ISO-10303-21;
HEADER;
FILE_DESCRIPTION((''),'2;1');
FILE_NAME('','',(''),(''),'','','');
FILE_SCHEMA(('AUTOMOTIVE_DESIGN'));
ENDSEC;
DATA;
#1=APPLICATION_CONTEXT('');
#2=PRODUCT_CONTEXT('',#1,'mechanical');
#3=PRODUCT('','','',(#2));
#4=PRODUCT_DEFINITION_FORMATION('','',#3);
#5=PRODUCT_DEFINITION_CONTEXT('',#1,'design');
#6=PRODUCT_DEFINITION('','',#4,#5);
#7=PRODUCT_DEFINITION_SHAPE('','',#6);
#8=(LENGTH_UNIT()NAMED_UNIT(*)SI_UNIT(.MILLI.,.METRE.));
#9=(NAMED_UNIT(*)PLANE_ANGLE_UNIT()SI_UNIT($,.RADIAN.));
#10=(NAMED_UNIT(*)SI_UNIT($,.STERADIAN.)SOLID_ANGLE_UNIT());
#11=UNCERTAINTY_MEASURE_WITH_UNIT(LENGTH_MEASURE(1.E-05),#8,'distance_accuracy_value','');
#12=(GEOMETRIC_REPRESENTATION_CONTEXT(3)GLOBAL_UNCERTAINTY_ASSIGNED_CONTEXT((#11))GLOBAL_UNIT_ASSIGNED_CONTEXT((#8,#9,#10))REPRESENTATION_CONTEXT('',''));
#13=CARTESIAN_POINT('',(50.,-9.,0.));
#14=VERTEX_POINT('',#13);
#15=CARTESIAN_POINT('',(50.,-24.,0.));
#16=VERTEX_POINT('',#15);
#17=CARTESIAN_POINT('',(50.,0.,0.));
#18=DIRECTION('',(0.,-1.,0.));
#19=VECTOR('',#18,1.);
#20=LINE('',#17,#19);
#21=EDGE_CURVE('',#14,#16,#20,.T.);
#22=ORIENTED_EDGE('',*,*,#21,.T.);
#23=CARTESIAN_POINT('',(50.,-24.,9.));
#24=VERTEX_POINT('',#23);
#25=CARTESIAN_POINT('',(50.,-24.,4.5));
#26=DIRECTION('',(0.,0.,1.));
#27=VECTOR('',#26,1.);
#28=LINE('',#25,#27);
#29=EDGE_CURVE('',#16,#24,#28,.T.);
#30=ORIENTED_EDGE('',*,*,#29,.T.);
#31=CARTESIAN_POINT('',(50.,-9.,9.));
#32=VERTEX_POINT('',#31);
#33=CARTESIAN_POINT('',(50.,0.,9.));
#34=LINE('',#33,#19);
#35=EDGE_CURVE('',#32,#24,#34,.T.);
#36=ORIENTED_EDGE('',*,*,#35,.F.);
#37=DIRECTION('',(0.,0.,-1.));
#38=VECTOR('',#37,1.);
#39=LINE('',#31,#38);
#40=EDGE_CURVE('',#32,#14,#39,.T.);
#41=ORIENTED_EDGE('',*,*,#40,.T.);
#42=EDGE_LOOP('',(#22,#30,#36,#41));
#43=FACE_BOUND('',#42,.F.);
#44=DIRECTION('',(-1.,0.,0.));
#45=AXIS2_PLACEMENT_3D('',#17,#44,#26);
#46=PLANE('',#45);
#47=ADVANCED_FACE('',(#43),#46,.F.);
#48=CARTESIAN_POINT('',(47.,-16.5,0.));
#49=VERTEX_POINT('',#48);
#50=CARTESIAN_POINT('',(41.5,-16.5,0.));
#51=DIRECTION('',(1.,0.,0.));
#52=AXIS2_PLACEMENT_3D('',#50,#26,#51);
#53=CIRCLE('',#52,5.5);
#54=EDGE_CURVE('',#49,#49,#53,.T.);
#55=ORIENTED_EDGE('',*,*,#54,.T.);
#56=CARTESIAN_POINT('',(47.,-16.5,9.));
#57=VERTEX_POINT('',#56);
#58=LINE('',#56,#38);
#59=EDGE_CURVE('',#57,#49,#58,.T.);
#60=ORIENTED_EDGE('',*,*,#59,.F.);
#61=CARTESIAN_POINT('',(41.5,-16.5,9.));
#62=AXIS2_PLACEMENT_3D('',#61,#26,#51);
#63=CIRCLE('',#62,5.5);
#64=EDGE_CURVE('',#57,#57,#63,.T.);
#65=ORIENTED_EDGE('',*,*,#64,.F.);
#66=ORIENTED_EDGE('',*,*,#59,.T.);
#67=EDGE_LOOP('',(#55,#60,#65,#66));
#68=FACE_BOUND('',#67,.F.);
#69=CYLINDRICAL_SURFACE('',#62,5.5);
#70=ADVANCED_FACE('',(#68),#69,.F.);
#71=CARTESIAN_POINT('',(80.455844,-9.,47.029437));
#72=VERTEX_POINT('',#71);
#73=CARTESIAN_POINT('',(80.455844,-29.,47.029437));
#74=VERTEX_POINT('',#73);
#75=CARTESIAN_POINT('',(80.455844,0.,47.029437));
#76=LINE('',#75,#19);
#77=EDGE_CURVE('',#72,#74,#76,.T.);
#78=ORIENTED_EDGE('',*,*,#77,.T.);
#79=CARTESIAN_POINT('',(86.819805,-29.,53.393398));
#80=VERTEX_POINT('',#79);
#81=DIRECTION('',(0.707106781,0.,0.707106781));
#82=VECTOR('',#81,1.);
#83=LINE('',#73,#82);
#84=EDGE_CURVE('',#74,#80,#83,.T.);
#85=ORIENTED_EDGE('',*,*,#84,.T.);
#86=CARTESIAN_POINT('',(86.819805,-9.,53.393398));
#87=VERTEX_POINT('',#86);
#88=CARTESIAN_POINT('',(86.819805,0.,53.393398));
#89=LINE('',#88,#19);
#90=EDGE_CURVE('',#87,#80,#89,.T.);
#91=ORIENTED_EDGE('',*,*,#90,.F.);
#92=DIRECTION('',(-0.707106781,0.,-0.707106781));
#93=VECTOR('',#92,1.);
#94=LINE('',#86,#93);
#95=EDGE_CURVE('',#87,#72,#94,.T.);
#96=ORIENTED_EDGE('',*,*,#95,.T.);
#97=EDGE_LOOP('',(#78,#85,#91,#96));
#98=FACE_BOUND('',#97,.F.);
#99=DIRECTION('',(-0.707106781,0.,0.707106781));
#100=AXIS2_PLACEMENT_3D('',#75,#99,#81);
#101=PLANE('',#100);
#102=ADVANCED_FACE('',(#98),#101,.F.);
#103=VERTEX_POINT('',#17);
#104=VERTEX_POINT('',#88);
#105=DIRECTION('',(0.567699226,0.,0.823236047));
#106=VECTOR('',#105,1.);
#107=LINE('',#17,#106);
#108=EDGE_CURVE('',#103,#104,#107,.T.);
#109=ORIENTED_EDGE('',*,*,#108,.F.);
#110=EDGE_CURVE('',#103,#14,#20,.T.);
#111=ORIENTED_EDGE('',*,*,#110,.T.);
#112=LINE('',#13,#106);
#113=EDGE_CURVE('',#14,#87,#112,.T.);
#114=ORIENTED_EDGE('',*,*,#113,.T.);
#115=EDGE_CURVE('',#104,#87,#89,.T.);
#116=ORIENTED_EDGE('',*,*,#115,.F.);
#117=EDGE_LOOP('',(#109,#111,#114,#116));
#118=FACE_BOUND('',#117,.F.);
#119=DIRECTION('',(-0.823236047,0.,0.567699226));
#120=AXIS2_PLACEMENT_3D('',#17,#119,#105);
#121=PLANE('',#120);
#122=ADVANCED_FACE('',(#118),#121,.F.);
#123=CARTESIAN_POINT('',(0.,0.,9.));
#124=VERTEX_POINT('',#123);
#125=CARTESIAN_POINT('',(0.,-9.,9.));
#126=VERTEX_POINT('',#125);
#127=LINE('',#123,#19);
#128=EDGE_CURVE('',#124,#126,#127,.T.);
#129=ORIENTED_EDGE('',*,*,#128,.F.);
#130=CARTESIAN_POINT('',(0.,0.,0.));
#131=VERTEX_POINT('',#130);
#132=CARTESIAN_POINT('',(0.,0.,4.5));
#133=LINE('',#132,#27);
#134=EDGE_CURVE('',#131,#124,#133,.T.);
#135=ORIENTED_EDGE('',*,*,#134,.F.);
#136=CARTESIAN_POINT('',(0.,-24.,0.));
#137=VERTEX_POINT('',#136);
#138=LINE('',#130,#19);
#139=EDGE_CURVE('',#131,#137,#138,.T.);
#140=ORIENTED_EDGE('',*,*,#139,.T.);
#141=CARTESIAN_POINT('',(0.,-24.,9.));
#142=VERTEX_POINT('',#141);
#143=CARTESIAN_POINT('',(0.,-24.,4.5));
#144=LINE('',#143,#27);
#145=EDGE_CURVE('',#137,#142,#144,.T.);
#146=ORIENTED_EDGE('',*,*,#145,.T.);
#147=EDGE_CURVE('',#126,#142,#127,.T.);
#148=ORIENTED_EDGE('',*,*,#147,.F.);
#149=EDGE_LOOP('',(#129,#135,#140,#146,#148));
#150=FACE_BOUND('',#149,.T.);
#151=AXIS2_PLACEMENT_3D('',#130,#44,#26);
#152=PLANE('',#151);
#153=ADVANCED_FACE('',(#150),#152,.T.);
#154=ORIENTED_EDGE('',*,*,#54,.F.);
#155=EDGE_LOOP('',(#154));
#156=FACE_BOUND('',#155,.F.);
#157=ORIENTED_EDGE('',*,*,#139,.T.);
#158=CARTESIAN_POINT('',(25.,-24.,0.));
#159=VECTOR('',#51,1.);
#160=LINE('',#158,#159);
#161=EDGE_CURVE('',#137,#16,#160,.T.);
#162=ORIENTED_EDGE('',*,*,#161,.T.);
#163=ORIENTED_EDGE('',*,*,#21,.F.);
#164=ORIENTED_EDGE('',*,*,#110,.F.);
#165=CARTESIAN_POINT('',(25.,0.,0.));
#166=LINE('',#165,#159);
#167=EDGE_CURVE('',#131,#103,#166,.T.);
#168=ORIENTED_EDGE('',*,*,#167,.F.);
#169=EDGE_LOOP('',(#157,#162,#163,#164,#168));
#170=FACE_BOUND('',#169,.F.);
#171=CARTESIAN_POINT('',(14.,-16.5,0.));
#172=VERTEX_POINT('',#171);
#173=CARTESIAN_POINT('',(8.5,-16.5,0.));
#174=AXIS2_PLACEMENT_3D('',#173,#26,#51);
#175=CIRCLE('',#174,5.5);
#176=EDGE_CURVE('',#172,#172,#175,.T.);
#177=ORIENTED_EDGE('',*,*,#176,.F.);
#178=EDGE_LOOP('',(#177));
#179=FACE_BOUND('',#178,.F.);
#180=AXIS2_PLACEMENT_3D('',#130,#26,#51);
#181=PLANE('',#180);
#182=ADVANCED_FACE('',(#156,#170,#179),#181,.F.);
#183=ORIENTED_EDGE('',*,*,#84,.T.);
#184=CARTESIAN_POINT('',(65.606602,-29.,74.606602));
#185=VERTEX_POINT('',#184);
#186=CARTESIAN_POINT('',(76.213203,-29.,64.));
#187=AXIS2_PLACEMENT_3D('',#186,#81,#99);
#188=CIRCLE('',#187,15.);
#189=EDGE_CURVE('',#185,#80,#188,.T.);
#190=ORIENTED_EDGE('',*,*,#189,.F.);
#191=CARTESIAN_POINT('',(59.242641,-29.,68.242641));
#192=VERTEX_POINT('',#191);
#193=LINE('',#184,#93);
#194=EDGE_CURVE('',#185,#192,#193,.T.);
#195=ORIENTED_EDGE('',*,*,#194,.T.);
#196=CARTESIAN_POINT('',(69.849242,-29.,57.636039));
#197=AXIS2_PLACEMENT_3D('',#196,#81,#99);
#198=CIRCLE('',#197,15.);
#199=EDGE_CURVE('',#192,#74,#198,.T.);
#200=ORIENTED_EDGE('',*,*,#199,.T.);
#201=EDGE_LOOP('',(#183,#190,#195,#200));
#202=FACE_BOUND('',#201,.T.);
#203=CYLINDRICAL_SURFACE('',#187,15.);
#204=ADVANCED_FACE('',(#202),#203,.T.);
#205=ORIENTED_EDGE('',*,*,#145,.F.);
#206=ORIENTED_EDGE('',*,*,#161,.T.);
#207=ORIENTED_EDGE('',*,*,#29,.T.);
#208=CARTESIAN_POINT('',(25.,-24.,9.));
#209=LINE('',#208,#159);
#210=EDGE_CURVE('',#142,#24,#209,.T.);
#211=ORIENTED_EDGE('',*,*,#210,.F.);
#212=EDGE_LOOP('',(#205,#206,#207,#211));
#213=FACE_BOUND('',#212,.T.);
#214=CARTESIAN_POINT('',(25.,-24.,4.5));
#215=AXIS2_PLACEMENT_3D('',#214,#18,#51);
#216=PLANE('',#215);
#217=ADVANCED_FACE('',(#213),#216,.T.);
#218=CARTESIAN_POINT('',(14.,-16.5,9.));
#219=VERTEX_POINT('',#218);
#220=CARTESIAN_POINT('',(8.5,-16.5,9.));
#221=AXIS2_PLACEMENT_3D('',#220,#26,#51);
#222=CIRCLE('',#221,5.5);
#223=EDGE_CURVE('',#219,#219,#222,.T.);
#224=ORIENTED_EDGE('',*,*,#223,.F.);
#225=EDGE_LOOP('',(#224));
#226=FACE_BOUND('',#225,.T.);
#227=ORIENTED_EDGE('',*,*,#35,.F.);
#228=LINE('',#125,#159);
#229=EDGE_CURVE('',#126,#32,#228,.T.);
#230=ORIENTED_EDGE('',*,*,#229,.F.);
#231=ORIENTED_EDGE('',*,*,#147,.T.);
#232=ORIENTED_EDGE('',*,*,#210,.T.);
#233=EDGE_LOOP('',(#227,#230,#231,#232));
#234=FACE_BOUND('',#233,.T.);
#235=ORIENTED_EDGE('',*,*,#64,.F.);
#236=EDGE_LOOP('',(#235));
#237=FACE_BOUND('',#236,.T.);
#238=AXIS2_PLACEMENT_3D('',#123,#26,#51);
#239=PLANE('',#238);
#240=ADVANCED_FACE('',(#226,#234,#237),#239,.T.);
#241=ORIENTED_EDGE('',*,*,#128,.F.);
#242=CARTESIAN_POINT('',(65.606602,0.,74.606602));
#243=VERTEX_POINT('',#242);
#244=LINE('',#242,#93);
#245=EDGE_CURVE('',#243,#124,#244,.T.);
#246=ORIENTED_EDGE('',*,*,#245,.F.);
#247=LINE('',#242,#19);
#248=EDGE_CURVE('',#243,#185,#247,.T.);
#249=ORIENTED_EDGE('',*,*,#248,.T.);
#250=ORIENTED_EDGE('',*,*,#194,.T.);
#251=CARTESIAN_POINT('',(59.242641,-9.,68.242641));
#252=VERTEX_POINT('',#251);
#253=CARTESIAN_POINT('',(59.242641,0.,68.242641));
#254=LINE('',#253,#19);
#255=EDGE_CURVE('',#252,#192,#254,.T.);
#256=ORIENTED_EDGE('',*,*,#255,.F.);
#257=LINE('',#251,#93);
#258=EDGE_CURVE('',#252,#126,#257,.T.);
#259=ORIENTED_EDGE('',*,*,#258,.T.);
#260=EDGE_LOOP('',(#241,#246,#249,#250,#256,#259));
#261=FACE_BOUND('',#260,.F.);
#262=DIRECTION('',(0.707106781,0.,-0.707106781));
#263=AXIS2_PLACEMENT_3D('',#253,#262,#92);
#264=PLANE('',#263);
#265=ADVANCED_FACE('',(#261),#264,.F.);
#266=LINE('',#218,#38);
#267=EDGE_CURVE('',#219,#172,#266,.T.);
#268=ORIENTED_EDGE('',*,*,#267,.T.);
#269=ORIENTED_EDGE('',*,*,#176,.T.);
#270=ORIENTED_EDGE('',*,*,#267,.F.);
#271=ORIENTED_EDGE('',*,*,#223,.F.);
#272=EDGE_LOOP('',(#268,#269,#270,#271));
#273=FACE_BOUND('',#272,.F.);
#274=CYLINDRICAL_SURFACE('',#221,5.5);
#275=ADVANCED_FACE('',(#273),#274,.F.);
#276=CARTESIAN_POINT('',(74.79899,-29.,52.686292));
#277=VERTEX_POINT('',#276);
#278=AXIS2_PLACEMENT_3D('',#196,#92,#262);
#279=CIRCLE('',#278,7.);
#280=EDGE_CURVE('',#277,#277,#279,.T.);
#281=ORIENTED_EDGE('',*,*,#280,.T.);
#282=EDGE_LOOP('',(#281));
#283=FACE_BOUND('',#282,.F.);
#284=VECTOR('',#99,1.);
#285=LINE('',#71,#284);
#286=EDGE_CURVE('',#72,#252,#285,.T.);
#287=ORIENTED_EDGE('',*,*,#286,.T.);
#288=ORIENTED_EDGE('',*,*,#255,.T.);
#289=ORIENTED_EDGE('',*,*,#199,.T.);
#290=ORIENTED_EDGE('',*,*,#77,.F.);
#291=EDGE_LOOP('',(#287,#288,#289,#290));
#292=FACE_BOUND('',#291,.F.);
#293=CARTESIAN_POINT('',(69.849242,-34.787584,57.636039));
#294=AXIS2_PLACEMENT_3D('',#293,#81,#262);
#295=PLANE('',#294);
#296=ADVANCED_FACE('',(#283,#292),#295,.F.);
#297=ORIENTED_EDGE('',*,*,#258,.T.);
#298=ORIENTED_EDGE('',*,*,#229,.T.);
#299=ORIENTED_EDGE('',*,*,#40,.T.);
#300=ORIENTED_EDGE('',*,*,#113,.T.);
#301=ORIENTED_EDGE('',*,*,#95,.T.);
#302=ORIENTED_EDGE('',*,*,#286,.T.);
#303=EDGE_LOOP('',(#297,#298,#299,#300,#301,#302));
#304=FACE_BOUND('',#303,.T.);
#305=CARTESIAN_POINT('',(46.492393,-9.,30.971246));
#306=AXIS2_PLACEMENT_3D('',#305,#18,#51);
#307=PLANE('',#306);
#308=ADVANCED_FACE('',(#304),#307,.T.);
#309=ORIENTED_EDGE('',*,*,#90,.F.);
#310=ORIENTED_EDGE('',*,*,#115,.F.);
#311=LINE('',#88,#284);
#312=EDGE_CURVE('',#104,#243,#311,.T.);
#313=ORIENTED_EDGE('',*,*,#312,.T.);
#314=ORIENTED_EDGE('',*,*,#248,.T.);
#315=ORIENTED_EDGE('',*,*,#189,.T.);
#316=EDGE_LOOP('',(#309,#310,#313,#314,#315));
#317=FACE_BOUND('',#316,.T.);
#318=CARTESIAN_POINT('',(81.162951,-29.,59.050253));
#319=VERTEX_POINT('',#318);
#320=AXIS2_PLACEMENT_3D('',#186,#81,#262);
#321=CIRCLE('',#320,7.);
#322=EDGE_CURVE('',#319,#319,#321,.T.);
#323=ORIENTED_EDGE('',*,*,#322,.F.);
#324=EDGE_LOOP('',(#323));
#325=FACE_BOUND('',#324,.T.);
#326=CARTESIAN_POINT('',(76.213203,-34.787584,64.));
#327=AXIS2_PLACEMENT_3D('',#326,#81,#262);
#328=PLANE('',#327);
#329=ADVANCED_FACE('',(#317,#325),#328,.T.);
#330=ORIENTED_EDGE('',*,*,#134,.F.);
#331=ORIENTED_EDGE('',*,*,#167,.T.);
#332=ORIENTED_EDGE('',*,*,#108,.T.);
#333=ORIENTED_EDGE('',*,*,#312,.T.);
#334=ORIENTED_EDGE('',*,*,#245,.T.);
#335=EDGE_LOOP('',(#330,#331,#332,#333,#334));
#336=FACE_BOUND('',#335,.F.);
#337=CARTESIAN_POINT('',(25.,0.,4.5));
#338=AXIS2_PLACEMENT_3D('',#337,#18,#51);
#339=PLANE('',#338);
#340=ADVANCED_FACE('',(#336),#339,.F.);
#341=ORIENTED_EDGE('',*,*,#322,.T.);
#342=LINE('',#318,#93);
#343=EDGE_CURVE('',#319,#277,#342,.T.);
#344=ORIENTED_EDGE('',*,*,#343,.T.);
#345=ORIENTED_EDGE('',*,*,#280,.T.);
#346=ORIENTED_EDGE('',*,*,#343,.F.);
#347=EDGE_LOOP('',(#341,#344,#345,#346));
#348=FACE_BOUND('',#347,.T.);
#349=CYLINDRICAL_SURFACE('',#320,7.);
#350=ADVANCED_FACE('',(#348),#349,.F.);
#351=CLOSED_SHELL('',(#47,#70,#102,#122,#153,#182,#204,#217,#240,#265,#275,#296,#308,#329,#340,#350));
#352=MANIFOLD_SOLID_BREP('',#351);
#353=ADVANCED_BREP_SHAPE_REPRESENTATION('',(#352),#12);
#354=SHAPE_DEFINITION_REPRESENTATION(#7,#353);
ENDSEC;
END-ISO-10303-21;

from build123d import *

# Parameters (mm, degrees)
F1_DEPTH = 9
F2_DEPTH = 29
F4_DEPTH = 9
F5_DEPTH = 9
F0_W     = 50
F0_H     = 9
F6_DEPTH = 24
F7_R     = 5.5
F8_DEPTH = 9.001


with BuildPart() as f1:
    # F0 (on Front) → F1 (new body)
    with BuildSketch(Plane.XZ):
        Polygon((50, 9), (50, 0), (86.8198051534, 53.3933982822), (80.4558441227, 47.0294372515), (59.2426406871, 68.2426406871), (0, 9), align=None)
    extrude(amount=F1_DEPTH)

    # F0 (on Front) → F2 (join)
    with BuildSketch(Plane.XZ):
        Polygon((80.4558441227, 47.0294372515), (86.8198051534, 53.3933982822), (65.6066017178, 74.6066017178), (59.2426406871, 68.2426406871), align=None)
    extrude(amount=F2_DEPTH)

    # F3 (on face) → F4 (join)
    with BuildSketch(Plane(origin=(70.1066017178, 0, 70.1066017178), x_dir=(0.7071067812, 0, -0.7071067812), z_dir=(0.7071067812, 0, 0.7071067812))):
        with BuildLine():
            Line((23.6360389693, -29), (15.6360389693, -29))
            ThreePointArc((15.6360389693, -29), (8.6360389693, -36), (1.6360389693, -29))
            Line((1.6360389693, -29), (-6.3639610307, -29))
            ThreePointArc((-6.3639610307, -29), (8.6360389693, -44), (23.6360389693, -29))
        make_face()
    extrude(amount=-F4_DEPTH)

    # F3 (on face) → F5 (cut)
    with BuildSketch(Plane(origin=(70.1066017178, 0, 70.1066017178), x_dir=(0.7071067812, 0, -0.7071067812), z_dir=(0.7071067812, 0, 0.7071067812))):
        with BuildLine():
            Line((1.6360389693, -29), (15.6360389693, -29))
            ThreePointArc((15.6360389693, -29), (8.6360389693, -22), (1.6360389693, -29))
        make_face()
    extrude(amount=-F5_DEPTH, mode=Mode.SUBTRACT)

    # F0 (on Front) → F6 (join)
    with BuildSketch(Plane.XZ):
        with Locations((25, 4.5)):
            Rectangle(F0_W, F0_H)
    extrude(amount=F6_DEPTH)

    # F7 (on face) → F8 (cut, through all)
    with BuildSketch(Plane.XY.offset(9)):
        with Locations((8.5, -16.5)):
            Circle(F7_R)
        with Locations((41.5, -16.5)):
            Circle(F7_R)
    extrude(amount=-F8_DEPTH, mode=Mode.SUBTRACT)


solid = f1.part
